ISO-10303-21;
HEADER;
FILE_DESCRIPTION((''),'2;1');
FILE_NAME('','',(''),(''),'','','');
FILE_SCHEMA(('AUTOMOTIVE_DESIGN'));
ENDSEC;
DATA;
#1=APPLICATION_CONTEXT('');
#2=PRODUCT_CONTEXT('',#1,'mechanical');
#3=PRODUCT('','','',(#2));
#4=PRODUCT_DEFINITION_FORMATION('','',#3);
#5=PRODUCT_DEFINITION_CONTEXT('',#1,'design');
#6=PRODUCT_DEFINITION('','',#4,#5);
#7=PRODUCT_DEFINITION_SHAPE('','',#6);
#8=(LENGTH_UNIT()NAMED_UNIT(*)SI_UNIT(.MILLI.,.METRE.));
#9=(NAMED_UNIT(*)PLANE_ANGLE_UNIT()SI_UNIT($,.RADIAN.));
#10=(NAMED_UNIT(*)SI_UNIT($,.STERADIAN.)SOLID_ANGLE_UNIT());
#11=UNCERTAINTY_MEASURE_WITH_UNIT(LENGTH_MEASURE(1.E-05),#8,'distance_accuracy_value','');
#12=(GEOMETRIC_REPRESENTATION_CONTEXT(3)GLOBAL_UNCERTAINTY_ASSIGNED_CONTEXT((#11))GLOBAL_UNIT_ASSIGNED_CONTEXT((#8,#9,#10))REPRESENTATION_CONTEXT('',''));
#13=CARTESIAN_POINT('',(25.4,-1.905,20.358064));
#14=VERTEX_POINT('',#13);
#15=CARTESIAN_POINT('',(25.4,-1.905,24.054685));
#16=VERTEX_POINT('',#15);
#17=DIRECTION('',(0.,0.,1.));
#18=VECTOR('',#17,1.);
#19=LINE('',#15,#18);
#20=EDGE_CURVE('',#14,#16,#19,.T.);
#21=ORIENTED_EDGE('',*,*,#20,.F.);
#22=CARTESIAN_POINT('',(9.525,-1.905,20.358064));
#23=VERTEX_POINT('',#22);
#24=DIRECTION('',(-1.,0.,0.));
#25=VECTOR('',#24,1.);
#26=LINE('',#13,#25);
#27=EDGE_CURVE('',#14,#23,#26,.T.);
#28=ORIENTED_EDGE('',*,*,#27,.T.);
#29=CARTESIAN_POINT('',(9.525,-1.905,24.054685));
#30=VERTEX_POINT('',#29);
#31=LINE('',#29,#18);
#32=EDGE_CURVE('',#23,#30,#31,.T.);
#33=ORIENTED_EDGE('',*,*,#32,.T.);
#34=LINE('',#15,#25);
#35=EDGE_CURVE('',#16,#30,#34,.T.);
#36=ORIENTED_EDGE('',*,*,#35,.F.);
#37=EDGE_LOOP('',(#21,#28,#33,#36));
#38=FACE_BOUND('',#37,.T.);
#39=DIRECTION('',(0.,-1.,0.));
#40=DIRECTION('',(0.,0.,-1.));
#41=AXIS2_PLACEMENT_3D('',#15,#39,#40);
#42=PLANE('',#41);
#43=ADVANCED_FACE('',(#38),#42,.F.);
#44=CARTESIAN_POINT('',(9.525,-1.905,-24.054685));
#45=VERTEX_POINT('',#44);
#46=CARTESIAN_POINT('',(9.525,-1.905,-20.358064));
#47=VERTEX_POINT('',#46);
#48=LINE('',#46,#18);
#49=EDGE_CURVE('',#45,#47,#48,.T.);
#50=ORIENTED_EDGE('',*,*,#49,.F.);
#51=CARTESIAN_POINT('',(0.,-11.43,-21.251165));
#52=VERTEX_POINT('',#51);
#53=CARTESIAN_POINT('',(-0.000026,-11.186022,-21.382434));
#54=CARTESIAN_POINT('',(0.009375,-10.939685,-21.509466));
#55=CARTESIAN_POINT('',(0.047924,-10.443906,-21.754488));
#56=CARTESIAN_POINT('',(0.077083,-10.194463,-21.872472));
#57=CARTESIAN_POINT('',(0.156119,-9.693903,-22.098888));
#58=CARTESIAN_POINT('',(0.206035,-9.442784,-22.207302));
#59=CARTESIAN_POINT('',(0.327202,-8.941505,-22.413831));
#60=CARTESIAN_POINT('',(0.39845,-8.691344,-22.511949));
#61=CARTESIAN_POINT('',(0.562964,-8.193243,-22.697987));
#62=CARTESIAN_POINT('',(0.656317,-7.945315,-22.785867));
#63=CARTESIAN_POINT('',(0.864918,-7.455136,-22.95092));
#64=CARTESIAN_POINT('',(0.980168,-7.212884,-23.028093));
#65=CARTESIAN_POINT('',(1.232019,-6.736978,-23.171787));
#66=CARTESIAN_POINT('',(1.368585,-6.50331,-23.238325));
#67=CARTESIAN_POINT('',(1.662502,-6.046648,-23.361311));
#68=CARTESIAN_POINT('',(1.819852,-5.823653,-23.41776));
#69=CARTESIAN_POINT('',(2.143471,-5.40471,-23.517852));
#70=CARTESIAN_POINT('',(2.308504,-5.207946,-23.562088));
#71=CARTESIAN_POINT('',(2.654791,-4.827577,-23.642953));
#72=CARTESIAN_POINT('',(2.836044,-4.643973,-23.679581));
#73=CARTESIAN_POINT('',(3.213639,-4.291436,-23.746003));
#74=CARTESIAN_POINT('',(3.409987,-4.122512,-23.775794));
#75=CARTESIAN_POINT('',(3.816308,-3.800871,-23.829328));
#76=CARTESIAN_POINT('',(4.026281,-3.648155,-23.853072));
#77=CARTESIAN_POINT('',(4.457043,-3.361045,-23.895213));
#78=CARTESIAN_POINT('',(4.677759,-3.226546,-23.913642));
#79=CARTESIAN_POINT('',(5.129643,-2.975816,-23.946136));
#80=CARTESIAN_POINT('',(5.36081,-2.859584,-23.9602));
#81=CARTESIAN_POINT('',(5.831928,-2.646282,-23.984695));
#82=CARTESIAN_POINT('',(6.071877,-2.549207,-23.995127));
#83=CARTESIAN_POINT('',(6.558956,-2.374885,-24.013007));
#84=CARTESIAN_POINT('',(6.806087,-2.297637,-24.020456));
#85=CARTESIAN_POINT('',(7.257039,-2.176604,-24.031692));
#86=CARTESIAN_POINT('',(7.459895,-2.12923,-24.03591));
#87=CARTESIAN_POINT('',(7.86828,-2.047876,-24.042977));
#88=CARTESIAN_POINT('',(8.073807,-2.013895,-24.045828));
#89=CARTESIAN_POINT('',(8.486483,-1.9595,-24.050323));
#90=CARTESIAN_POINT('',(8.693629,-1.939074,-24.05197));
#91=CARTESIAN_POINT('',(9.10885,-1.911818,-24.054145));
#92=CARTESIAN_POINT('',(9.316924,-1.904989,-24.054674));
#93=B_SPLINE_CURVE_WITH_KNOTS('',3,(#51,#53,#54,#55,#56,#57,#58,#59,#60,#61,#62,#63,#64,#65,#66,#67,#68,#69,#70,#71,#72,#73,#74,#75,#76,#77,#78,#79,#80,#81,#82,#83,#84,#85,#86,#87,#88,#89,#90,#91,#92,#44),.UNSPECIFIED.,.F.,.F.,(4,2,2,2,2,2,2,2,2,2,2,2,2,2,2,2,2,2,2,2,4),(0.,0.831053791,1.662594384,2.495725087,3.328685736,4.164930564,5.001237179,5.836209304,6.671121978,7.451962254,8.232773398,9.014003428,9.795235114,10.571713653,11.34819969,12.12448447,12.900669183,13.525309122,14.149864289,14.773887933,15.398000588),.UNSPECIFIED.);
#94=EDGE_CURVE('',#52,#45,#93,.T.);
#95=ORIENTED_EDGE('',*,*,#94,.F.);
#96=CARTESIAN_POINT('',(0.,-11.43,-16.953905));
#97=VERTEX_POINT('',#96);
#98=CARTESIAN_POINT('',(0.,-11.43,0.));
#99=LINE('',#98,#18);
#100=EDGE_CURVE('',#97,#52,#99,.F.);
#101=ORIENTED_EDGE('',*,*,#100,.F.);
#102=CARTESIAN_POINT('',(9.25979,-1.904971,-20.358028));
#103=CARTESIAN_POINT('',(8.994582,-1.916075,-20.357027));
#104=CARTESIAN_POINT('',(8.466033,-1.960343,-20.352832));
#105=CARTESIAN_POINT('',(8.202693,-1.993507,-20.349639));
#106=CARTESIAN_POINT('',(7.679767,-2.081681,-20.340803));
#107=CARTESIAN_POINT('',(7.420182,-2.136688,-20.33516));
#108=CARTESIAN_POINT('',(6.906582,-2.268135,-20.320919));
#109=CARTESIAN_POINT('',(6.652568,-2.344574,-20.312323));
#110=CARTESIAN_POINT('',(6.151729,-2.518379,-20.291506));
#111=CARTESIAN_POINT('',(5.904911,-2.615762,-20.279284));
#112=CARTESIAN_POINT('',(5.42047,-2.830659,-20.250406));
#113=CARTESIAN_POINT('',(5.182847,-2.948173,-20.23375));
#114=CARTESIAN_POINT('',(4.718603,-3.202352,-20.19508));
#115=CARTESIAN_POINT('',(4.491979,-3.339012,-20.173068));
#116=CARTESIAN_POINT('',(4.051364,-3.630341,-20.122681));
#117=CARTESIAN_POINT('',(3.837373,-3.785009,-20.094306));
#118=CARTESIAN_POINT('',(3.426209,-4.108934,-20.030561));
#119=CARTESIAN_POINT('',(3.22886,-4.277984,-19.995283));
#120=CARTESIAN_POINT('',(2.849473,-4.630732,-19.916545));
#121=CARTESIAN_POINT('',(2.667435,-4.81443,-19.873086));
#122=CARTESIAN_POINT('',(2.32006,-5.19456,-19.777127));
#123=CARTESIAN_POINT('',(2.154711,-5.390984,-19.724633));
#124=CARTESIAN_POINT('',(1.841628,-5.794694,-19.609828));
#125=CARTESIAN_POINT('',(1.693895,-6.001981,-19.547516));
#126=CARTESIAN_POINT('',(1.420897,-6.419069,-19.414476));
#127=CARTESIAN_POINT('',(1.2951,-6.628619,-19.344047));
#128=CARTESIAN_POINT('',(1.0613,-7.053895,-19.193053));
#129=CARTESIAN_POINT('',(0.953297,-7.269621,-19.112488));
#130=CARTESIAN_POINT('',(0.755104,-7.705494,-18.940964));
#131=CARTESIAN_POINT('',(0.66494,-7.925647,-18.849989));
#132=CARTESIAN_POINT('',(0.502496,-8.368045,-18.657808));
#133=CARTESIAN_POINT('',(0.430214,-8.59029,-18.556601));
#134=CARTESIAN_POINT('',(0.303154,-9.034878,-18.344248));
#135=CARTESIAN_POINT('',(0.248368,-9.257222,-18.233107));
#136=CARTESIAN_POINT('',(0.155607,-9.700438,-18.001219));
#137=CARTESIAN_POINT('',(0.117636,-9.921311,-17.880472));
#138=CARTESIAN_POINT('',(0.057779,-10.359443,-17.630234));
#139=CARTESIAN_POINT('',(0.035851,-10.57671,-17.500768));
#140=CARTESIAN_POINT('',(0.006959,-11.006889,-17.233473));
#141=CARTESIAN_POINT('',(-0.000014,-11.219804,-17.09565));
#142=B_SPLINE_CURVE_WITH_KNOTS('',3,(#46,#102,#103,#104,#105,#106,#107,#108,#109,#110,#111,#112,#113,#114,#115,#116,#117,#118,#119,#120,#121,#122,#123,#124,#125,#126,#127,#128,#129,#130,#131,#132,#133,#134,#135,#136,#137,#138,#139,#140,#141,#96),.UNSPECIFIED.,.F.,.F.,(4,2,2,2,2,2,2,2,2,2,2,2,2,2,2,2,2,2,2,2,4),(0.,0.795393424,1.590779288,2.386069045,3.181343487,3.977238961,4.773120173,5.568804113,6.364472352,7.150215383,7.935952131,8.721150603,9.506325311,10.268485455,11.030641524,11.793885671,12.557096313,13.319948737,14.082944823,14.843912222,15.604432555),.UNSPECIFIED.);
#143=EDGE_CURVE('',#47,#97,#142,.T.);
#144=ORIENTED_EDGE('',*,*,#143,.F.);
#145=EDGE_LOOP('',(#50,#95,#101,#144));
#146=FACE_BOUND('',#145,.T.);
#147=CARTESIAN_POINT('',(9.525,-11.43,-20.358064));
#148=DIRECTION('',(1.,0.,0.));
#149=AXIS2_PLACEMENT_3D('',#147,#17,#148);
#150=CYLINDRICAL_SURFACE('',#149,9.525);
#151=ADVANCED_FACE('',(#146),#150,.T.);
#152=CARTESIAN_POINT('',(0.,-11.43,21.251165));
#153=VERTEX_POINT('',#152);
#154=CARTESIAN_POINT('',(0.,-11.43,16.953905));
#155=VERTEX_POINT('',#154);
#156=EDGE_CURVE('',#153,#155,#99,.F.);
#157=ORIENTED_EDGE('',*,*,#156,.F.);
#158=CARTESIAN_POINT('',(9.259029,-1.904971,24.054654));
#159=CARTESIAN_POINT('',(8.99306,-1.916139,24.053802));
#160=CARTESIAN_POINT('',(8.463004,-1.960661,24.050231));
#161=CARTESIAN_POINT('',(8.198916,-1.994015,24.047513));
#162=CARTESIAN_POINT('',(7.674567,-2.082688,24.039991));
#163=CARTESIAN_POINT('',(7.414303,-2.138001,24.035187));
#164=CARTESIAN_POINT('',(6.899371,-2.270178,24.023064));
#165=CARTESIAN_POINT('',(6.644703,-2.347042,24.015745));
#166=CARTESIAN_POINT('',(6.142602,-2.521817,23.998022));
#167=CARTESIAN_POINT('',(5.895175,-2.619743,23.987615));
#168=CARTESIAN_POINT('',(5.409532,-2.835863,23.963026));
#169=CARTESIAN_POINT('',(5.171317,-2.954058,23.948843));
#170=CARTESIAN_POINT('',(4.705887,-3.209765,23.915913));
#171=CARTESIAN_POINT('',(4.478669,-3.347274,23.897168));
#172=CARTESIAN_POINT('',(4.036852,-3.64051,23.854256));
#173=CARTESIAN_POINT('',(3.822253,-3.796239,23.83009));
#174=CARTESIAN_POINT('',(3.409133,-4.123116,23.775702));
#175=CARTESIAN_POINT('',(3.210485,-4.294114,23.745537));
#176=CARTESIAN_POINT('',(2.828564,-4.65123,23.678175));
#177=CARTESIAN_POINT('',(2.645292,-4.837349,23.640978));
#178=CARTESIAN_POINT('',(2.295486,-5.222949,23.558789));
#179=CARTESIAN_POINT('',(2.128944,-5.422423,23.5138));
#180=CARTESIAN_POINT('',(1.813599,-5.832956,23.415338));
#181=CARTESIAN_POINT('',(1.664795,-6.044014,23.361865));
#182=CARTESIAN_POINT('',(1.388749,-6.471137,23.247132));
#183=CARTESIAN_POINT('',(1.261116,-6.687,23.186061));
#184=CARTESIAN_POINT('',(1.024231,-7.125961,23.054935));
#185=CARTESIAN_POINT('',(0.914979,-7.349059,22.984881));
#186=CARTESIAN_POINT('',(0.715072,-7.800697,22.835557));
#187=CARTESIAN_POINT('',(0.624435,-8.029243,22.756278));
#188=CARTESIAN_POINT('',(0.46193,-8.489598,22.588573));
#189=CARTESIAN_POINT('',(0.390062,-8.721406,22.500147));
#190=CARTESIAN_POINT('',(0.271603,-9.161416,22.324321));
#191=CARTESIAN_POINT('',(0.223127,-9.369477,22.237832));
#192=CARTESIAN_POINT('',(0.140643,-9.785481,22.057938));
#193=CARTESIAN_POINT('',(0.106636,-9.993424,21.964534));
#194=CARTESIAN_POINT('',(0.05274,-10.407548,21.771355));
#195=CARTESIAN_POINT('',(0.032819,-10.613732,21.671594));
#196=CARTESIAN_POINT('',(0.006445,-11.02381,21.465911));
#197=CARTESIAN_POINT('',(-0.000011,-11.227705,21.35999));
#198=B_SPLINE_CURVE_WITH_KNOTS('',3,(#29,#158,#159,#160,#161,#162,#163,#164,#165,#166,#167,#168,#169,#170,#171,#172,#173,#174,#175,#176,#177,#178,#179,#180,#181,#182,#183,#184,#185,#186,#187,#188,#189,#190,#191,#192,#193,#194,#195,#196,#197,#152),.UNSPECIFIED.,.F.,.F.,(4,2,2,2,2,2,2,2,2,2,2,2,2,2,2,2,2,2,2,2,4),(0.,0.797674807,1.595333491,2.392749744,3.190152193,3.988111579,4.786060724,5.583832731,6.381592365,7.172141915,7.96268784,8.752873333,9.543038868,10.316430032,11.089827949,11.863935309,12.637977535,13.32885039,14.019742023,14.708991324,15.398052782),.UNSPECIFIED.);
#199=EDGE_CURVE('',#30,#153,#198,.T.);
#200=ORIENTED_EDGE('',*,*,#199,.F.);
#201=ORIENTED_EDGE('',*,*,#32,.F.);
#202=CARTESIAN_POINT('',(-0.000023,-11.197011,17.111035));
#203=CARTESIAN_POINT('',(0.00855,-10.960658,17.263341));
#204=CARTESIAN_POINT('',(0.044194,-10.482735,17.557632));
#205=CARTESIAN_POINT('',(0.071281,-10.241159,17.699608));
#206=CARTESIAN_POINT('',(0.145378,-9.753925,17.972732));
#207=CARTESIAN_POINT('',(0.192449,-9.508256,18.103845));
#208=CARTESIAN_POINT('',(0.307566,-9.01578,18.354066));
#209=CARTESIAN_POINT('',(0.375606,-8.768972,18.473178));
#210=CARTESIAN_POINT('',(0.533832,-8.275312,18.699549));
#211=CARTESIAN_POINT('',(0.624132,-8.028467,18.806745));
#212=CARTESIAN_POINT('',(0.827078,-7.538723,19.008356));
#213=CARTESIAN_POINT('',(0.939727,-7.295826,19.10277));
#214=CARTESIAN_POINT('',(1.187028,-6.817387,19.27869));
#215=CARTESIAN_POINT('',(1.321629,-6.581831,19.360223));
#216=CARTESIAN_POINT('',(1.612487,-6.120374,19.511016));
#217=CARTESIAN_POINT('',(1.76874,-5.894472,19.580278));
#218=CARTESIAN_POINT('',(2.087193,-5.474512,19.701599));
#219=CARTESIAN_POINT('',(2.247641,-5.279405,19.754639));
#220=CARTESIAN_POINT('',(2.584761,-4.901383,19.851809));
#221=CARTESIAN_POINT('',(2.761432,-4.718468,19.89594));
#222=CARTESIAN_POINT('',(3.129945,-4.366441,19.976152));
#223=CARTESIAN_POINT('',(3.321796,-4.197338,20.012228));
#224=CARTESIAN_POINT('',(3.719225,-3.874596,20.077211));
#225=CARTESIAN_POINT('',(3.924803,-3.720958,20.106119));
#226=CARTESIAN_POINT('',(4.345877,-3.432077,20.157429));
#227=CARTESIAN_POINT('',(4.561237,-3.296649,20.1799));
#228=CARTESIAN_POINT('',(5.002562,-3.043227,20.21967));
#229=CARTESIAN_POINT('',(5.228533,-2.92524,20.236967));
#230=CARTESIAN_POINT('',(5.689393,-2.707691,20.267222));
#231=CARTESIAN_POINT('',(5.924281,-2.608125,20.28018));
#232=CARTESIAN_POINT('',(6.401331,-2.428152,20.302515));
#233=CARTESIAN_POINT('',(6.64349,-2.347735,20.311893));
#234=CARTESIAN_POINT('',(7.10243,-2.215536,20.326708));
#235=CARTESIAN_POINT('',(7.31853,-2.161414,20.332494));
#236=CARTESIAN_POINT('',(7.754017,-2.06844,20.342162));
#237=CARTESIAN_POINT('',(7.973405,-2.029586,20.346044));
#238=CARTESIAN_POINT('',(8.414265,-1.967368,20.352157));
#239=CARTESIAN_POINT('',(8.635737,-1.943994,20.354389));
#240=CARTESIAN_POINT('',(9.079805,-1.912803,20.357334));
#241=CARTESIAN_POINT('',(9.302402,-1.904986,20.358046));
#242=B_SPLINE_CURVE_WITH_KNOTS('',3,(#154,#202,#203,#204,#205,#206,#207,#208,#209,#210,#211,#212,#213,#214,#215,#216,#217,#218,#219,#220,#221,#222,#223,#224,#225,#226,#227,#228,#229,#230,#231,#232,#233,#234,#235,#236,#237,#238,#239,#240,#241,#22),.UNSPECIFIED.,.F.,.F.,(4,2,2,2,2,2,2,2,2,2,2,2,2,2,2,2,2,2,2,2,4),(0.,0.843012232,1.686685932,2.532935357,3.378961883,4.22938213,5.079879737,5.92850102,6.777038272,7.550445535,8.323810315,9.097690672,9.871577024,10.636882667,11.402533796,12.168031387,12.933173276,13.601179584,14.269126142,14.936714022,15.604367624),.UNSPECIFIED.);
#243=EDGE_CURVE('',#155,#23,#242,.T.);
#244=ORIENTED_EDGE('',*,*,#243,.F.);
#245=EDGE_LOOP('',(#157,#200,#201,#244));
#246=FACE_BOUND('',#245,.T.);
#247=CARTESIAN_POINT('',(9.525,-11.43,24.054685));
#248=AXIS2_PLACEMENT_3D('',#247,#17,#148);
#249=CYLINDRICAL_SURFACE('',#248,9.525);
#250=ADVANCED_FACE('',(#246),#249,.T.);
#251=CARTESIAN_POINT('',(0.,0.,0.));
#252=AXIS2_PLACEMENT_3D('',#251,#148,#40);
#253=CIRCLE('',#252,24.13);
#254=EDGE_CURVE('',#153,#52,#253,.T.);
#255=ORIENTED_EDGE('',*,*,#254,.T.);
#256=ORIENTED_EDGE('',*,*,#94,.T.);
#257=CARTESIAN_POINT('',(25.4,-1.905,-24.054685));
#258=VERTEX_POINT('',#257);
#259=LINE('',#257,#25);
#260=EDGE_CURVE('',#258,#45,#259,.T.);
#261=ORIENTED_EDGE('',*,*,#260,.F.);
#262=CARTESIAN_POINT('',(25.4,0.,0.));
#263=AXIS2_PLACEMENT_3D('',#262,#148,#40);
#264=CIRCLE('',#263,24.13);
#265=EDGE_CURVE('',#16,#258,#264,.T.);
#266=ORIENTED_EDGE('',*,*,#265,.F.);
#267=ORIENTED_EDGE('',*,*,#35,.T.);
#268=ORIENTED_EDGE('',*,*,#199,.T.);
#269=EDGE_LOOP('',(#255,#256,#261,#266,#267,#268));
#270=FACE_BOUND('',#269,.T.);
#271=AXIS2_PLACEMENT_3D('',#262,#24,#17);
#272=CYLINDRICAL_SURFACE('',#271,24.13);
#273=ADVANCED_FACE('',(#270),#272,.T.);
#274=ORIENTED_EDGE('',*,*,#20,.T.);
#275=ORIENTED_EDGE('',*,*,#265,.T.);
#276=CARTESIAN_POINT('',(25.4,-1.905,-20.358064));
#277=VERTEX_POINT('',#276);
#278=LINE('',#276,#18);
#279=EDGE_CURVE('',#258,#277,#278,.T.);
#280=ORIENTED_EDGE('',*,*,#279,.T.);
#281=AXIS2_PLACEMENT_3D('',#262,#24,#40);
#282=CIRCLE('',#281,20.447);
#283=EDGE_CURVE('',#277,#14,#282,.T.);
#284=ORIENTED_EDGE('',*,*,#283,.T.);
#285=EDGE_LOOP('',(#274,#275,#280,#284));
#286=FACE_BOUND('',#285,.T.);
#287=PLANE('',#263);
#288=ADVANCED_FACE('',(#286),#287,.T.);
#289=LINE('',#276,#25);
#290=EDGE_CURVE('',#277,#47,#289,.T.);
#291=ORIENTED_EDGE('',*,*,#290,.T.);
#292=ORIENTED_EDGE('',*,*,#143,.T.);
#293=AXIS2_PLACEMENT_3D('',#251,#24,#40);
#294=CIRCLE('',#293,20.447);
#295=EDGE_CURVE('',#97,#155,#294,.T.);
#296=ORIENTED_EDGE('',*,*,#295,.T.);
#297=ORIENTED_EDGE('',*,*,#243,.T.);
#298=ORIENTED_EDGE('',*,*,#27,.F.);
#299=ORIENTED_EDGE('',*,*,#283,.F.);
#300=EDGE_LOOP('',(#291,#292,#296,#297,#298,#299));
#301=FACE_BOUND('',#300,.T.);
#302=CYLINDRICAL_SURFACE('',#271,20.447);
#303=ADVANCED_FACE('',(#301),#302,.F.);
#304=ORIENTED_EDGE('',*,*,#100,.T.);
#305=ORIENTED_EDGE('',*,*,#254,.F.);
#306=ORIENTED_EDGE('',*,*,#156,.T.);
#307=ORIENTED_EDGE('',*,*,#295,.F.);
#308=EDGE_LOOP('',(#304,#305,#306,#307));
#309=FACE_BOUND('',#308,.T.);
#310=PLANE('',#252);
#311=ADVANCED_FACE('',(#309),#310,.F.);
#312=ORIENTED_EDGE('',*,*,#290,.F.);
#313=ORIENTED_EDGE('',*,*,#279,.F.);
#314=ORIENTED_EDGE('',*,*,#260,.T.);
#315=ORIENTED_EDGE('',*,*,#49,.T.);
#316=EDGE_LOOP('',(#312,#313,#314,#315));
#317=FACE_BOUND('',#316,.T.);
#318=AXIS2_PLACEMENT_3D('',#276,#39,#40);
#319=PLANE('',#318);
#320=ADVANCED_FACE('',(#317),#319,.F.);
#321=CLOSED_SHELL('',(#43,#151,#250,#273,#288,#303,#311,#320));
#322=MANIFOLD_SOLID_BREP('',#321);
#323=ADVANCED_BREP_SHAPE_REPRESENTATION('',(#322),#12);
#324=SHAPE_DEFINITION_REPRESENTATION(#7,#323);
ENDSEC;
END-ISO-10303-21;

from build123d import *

# Parameters (mm, degrees)
BOSS_EXTRUDE1_DEPTH = 25.4
FILLET1_R           = 9.525


with BuildPart() as part:
    # Sketch1 → Boss-Extrude1 (new body)
    with BuildSketch(Plane(origin=(0, 0, 0), x_dir=(0, 0, -1), z_dir=(1, 0, 0))):
        with BuildLine():
            Line((-24.054685095, -1.905), (-20.358064348, -1.905))
            ThreePointArc((-20.358064348, -1.905), (0, -20.447), (20.358064348, -1.905))
            Line((20.358064348, -1.905), (24.054685095, -1.905))
            ThreePointArc((24.054685095, -1.905), (0, -24.13), (-24.054685095, -1.905))
        make_face()
    extrude(amount=BOSS_EXTRUDE1_DEPTH)

    # Fillet1
    fillet1_edges = [part.edges().sort_by_distance(p)[0] for p in [
        (0, -1.905, 22.206374721),
        (0, -1.905, -22.206374721),
    ]]
    fillet(fillet1_edges, radius=FILLET1_R)


solid = part.part
